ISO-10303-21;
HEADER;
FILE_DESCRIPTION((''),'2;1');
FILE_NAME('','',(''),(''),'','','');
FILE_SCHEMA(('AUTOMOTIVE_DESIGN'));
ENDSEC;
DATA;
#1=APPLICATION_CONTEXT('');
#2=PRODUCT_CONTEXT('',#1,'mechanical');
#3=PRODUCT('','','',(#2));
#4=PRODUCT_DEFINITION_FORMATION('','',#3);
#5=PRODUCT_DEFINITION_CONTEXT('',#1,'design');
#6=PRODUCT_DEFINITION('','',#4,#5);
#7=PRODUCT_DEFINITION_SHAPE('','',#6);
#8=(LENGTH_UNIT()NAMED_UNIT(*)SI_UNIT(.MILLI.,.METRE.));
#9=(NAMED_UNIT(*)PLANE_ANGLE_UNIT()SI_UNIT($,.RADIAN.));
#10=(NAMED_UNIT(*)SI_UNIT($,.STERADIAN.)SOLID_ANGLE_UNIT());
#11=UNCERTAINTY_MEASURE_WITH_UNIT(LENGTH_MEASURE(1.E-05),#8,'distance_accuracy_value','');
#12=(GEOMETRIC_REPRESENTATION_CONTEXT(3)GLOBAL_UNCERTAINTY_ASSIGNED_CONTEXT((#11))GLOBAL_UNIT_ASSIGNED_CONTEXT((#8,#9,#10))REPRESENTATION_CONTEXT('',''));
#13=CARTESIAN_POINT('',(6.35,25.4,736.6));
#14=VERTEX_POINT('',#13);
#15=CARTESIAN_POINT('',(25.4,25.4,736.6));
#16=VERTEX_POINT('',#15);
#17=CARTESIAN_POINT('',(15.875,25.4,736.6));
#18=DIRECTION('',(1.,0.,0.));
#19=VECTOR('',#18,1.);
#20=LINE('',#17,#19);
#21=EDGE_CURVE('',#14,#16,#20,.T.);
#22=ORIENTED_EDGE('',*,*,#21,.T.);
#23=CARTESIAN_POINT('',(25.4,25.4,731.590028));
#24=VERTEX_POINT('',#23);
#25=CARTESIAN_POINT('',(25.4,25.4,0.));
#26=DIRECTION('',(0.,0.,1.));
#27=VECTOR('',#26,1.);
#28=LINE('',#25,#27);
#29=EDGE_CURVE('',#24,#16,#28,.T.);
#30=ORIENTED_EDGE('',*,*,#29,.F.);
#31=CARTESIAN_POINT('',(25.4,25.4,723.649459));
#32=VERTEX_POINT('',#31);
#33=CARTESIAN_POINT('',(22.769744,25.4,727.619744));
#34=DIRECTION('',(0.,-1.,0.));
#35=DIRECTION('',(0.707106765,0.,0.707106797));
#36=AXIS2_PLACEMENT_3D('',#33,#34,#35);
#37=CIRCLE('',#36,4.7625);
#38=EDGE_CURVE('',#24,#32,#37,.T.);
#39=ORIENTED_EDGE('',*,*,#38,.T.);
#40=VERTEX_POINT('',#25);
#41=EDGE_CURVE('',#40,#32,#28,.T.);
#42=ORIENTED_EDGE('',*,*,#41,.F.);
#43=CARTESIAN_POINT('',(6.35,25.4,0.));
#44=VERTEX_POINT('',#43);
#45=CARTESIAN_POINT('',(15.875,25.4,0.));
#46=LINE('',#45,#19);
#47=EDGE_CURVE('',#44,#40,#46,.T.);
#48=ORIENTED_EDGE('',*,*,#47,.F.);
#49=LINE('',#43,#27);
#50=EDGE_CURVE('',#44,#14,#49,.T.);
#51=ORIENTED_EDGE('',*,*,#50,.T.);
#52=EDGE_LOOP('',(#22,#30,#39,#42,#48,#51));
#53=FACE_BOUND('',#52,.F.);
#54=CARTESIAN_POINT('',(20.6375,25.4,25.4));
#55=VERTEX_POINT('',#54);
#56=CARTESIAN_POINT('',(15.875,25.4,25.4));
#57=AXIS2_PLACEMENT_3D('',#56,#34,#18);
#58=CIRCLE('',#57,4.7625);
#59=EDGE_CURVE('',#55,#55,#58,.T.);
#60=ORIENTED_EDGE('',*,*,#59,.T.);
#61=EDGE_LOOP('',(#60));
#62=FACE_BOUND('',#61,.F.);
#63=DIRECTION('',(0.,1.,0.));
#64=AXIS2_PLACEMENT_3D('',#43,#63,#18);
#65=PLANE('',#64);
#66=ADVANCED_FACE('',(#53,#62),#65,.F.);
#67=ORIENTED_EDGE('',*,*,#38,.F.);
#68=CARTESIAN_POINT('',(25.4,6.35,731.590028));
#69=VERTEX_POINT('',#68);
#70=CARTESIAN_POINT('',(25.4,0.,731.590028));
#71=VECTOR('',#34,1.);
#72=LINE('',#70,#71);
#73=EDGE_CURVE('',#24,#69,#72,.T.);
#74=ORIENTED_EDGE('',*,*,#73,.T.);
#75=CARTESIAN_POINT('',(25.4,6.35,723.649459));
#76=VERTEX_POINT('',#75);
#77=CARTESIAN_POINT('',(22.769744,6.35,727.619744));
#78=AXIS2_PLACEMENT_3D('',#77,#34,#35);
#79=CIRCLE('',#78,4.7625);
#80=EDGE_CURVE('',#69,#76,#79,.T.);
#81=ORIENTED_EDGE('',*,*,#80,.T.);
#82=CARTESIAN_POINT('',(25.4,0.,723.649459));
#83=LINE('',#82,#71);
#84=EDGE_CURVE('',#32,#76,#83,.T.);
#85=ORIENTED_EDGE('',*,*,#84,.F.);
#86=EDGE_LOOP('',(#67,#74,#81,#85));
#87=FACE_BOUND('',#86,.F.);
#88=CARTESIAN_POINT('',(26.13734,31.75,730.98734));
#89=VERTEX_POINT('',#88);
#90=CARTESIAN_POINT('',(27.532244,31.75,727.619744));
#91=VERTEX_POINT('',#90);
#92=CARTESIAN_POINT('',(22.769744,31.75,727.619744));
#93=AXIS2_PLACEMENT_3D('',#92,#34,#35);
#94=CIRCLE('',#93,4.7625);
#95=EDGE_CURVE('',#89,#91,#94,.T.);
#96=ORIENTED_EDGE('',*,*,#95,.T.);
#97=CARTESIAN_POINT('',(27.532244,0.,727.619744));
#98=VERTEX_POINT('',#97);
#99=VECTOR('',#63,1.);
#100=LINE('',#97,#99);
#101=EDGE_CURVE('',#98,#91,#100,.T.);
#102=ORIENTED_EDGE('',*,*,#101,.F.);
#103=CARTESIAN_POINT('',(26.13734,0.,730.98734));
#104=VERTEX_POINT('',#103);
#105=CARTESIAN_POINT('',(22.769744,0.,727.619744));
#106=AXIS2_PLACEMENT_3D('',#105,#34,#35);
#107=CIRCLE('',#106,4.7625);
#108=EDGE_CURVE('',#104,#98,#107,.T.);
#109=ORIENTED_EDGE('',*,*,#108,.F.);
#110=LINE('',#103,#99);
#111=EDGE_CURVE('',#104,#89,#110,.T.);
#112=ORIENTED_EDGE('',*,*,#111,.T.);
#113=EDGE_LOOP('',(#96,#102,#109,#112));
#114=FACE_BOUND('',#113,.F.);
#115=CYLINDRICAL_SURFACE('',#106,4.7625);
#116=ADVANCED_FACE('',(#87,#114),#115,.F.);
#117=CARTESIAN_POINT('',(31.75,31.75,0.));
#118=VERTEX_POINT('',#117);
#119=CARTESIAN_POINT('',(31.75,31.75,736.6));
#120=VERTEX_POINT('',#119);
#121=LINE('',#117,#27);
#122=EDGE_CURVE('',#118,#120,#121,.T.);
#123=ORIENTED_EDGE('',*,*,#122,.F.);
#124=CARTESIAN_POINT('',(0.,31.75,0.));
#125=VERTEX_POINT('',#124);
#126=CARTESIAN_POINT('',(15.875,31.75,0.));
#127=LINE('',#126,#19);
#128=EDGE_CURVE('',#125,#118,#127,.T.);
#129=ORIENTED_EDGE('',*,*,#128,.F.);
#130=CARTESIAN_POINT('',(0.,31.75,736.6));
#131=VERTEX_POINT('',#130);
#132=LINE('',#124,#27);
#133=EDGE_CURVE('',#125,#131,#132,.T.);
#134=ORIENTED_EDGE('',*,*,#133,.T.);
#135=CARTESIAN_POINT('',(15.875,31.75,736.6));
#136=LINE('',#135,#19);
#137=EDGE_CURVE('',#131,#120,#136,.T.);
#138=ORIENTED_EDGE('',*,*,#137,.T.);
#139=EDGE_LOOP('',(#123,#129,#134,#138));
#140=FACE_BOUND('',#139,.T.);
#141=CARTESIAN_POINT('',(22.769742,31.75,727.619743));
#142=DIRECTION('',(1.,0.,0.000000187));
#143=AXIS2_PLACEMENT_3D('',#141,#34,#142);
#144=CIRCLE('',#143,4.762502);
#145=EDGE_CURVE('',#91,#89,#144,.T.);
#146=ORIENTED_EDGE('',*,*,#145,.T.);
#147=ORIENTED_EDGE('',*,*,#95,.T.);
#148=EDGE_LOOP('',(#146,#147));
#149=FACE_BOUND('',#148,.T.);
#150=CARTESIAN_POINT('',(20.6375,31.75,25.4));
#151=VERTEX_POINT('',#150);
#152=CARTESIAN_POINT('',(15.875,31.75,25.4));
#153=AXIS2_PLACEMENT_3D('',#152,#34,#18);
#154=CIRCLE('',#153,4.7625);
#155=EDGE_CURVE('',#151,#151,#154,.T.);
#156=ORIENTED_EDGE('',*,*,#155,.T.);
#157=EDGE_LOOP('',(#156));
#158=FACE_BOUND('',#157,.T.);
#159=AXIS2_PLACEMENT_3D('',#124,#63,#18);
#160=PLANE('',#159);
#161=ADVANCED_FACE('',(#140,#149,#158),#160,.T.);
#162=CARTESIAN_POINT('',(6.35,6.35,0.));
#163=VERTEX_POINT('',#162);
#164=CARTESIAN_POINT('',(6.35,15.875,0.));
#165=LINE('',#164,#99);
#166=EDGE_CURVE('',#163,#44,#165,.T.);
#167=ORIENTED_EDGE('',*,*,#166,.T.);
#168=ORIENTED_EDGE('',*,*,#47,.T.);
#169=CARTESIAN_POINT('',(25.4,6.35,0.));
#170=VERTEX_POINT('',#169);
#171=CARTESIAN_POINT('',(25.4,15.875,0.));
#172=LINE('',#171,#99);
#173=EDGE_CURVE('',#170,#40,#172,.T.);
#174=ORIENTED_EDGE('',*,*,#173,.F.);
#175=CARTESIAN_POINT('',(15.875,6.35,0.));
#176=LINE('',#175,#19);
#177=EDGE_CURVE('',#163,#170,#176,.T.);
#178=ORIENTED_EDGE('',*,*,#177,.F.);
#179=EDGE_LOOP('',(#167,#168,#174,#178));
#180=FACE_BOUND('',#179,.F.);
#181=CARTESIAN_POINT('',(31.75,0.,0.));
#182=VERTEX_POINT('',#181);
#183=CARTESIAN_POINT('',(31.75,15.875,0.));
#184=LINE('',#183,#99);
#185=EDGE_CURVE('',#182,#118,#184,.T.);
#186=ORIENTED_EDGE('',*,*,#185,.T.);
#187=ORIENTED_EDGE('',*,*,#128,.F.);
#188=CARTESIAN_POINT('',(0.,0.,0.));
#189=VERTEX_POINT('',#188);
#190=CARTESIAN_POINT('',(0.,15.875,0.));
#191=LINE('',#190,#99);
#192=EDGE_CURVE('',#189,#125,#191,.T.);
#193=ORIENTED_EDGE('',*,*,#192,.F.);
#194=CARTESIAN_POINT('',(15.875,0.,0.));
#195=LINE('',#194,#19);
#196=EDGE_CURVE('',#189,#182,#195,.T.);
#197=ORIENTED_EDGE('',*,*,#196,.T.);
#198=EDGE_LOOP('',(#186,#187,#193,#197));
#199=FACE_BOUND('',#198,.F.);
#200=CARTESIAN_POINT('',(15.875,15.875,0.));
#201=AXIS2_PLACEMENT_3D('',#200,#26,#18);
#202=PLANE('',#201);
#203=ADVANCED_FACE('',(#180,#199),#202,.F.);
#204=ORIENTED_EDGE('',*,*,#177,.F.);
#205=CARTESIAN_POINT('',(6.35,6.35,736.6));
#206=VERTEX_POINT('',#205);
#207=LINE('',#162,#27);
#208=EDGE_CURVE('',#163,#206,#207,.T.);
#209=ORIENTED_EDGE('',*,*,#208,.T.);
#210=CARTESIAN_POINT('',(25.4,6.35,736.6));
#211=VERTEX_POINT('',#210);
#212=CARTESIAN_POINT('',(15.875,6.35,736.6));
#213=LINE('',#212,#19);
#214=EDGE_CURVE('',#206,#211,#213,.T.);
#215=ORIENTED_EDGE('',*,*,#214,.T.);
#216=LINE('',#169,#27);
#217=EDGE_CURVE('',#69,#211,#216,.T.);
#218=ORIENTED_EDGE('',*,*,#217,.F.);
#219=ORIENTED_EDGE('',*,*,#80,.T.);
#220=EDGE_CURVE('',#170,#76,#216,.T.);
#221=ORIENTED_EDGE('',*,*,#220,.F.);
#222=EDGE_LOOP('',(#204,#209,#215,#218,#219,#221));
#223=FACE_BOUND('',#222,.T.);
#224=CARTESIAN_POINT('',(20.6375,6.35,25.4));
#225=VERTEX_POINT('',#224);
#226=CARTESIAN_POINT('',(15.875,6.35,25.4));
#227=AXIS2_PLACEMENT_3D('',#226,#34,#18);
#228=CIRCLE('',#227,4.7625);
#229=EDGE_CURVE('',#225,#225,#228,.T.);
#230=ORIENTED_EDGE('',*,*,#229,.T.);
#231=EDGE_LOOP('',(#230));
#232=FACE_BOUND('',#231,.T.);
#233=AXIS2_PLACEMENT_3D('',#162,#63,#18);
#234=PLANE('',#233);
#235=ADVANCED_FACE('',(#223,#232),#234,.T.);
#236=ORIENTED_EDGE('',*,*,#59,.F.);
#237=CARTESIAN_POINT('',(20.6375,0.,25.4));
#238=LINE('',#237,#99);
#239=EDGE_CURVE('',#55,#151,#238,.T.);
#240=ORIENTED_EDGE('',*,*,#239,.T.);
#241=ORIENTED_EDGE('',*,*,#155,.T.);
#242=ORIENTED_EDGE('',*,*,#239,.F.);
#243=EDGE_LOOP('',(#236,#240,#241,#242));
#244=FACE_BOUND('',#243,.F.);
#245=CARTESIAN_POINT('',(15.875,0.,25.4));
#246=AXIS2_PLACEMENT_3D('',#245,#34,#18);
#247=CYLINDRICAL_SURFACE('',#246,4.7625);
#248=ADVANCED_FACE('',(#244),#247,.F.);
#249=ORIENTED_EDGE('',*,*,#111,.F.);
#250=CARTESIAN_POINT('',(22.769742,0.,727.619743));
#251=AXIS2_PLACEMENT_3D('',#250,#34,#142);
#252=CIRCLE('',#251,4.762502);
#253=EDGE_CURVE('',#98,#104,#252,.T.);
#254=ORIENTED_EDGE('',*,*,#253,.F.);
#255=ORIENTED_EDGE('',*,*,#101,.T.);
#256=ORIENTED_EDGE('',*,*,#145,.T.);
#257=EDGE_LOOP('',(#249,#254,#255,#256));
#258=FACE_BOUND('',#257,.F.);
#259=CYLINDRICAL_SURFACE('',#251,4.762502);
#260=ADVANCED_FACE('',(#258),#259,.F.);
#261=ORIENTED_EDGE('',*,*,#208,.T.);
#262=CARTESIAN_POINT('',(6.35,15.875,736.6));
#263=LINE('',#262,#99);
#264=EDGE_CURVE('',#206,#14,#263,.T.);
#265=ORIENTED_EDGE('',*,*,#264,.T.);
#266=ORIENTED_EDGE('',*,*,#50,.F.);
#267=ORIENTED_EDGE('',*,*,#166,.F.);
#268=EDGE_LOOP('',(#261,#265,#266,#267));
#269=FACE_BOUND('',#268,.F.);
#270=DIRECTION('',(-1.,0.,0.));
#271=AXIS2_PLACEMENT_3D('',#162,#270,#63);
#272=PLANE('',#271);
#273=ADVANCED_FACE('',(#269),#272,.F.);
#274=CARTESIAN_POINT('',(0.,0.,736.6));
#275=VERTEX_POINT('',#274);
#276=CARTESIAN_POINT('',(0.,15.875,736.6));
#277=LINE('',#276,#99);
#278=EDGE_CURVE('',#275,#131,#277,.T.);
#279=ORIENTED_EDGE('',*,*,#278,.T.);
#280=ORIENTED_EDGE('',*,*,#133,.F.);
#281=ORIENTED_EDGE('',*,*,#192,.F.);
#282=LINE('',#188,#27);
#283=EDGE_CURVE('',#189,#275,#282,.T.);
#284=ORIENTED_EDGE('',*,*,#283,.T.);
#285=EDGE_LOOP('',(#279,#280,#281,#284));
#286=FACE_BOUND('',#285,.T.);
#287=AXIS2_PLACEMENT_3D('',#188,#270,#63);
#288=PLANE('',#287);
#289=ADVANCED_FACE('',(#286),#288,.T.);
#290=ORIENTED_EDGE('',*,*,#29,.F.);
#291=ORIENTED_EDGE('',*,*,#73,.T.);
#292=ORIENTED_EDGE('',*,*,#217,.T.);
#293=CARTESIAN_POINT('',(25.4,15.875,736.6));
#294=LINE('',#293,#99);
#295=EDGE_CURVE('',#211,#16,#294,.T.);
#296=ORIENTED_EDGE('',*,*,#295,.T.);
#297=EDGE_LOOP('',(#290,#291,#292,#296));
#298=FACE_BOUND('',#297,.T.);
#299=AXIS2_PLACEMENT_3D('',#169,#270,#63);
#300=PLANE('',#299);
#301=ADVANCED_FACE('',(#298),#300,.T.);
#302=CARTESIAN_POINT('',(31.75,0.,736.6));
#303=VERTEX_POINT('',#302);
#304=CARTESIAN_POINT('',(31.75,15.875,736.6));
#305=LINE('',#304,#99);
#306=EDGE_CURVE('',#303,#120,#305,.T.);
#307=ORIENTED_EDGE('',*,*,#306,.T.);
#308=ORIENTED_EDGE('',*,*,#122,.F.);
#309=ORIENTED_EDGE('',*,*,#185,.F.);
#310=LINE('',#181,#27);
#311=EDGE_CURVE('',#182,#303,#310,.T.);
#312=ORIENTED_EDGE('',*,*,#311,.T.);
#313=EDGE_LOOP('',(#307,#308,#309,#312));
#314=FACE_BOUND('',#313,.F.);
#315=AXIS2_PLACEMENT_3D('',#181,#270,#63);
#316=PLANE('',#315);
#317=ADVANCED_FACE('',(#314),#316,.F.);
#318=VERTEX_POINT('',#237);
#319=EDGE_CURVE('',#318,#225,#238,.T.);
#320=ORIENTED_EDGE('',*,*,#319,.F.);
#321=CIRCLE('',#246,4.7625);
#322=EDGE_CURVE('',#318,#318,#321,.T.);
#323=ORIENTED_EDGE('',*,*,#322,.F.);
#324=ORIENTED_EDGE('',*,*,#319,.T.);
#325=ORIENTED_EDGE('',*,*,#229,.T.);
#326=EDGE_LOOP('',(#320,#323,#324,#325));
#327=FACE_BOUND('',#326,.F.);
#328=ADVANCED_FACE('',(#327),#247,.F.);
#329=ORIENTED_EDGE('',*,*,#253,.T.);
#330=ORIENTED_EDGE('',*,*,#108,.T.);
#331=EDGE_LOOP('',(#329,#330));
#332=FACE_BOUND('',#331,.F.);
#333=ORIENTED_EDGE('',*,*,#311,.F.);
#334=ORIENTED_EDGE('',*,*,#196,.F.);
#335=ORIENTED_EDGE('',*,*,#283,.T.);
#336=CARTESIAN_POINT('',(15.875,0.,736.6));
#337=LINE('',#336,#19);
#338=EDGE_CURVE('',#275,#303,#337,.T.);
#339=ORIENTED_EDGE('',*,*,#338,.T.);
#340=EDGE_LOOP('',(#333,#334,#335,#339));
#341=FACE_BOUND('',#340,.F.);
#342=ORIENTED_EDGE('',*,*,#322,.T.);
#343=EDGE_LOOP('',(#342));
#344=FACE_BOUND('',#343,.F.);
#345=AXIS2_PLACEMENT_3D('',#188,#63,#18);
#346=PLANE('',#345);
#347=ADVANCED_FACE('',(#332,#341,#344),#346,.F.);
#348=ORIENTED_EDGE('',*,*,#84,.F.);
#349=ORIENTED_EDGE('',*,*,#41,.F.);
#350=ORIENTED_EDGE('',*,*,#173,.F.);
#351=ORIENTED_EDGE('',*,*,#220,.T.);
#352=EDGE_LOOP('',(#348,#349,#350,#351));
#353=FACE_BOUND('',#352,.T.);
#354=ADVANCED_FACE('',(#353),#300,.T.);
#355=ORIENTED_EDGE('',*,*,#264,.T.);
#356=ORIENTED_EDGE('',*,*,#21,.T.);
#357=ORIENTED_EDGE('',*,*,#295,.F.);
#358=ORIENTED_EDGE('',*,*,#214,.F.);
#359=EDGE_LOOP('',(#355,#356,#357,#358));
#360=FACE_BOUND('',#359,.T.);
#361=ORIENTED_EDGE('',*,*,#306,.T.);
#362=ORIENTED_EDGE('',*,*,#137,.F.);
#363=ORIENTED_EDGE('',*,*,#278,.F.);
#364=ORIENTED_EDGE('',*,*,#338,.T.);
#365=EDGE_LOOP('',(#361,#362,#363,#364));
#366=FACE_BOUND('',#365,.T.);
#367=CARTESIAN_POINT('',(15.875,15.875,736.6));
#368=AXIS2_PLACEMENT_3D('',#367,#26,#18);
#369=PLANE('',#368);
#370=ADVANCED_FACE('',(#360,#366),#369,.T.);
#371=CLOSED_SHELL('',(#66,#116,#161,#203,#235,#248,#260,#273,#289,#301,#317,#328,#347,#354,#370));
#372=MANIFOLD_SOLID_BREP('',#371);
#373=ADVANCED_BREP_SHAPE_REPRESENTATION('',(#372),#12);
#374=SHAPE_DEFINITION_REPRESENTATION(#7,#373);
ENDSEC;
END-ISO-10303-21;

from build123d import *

# Parameters (mm, degrees)
F0_W     = 31.75
F0_H     = 31.75
F0_W_2   = 19.05
F0_H_2   = 19.05
F1_DEPTH = 736.6
F2_R     = 4.7625
F3_DEPTH = 31.751
F5_DEPTH = 31.751


with BuildPart() as f1:
    # F0 (on Top) → F1 (new body)
    with BuildSketch(Plane.XY):
        with Locations((15.875, 15.875)):
            Rectangle(F0_W, F0_H)
        with Locations((15.875, 15.875)):
            Rectangle(F0_W_2, F0_H_2, mode=Mode.SUBTRACT)
    extrude(amount=F1_DEPTH)

    # F2 (on face) → F3 (cut, through all)
    with BuildSketch(Plane.XZ):
        with Locations((15.875, 25.4)):
            Circle(F2_R)
    extrude(amount=-F3_DEPTH, mode=Mode.SUBTRACT)

    # F4 (on face) → F5 (cut, through all)
    with BuildSketch(Plane.XZ):
        with BuildLine():
            ThreePointArc((27.532244, 727.619744), (27.16972, 729.442274), (26.13734, 730.98734))
            ThreePointArc((26.13734, 730.98734), (18.369768, 725.797214), (27.532244, 727.619744))
        make_face()
    extrude(amount=-F5_DEPTH, mode=Mode.SUBTRACT)


solid = f1.part
